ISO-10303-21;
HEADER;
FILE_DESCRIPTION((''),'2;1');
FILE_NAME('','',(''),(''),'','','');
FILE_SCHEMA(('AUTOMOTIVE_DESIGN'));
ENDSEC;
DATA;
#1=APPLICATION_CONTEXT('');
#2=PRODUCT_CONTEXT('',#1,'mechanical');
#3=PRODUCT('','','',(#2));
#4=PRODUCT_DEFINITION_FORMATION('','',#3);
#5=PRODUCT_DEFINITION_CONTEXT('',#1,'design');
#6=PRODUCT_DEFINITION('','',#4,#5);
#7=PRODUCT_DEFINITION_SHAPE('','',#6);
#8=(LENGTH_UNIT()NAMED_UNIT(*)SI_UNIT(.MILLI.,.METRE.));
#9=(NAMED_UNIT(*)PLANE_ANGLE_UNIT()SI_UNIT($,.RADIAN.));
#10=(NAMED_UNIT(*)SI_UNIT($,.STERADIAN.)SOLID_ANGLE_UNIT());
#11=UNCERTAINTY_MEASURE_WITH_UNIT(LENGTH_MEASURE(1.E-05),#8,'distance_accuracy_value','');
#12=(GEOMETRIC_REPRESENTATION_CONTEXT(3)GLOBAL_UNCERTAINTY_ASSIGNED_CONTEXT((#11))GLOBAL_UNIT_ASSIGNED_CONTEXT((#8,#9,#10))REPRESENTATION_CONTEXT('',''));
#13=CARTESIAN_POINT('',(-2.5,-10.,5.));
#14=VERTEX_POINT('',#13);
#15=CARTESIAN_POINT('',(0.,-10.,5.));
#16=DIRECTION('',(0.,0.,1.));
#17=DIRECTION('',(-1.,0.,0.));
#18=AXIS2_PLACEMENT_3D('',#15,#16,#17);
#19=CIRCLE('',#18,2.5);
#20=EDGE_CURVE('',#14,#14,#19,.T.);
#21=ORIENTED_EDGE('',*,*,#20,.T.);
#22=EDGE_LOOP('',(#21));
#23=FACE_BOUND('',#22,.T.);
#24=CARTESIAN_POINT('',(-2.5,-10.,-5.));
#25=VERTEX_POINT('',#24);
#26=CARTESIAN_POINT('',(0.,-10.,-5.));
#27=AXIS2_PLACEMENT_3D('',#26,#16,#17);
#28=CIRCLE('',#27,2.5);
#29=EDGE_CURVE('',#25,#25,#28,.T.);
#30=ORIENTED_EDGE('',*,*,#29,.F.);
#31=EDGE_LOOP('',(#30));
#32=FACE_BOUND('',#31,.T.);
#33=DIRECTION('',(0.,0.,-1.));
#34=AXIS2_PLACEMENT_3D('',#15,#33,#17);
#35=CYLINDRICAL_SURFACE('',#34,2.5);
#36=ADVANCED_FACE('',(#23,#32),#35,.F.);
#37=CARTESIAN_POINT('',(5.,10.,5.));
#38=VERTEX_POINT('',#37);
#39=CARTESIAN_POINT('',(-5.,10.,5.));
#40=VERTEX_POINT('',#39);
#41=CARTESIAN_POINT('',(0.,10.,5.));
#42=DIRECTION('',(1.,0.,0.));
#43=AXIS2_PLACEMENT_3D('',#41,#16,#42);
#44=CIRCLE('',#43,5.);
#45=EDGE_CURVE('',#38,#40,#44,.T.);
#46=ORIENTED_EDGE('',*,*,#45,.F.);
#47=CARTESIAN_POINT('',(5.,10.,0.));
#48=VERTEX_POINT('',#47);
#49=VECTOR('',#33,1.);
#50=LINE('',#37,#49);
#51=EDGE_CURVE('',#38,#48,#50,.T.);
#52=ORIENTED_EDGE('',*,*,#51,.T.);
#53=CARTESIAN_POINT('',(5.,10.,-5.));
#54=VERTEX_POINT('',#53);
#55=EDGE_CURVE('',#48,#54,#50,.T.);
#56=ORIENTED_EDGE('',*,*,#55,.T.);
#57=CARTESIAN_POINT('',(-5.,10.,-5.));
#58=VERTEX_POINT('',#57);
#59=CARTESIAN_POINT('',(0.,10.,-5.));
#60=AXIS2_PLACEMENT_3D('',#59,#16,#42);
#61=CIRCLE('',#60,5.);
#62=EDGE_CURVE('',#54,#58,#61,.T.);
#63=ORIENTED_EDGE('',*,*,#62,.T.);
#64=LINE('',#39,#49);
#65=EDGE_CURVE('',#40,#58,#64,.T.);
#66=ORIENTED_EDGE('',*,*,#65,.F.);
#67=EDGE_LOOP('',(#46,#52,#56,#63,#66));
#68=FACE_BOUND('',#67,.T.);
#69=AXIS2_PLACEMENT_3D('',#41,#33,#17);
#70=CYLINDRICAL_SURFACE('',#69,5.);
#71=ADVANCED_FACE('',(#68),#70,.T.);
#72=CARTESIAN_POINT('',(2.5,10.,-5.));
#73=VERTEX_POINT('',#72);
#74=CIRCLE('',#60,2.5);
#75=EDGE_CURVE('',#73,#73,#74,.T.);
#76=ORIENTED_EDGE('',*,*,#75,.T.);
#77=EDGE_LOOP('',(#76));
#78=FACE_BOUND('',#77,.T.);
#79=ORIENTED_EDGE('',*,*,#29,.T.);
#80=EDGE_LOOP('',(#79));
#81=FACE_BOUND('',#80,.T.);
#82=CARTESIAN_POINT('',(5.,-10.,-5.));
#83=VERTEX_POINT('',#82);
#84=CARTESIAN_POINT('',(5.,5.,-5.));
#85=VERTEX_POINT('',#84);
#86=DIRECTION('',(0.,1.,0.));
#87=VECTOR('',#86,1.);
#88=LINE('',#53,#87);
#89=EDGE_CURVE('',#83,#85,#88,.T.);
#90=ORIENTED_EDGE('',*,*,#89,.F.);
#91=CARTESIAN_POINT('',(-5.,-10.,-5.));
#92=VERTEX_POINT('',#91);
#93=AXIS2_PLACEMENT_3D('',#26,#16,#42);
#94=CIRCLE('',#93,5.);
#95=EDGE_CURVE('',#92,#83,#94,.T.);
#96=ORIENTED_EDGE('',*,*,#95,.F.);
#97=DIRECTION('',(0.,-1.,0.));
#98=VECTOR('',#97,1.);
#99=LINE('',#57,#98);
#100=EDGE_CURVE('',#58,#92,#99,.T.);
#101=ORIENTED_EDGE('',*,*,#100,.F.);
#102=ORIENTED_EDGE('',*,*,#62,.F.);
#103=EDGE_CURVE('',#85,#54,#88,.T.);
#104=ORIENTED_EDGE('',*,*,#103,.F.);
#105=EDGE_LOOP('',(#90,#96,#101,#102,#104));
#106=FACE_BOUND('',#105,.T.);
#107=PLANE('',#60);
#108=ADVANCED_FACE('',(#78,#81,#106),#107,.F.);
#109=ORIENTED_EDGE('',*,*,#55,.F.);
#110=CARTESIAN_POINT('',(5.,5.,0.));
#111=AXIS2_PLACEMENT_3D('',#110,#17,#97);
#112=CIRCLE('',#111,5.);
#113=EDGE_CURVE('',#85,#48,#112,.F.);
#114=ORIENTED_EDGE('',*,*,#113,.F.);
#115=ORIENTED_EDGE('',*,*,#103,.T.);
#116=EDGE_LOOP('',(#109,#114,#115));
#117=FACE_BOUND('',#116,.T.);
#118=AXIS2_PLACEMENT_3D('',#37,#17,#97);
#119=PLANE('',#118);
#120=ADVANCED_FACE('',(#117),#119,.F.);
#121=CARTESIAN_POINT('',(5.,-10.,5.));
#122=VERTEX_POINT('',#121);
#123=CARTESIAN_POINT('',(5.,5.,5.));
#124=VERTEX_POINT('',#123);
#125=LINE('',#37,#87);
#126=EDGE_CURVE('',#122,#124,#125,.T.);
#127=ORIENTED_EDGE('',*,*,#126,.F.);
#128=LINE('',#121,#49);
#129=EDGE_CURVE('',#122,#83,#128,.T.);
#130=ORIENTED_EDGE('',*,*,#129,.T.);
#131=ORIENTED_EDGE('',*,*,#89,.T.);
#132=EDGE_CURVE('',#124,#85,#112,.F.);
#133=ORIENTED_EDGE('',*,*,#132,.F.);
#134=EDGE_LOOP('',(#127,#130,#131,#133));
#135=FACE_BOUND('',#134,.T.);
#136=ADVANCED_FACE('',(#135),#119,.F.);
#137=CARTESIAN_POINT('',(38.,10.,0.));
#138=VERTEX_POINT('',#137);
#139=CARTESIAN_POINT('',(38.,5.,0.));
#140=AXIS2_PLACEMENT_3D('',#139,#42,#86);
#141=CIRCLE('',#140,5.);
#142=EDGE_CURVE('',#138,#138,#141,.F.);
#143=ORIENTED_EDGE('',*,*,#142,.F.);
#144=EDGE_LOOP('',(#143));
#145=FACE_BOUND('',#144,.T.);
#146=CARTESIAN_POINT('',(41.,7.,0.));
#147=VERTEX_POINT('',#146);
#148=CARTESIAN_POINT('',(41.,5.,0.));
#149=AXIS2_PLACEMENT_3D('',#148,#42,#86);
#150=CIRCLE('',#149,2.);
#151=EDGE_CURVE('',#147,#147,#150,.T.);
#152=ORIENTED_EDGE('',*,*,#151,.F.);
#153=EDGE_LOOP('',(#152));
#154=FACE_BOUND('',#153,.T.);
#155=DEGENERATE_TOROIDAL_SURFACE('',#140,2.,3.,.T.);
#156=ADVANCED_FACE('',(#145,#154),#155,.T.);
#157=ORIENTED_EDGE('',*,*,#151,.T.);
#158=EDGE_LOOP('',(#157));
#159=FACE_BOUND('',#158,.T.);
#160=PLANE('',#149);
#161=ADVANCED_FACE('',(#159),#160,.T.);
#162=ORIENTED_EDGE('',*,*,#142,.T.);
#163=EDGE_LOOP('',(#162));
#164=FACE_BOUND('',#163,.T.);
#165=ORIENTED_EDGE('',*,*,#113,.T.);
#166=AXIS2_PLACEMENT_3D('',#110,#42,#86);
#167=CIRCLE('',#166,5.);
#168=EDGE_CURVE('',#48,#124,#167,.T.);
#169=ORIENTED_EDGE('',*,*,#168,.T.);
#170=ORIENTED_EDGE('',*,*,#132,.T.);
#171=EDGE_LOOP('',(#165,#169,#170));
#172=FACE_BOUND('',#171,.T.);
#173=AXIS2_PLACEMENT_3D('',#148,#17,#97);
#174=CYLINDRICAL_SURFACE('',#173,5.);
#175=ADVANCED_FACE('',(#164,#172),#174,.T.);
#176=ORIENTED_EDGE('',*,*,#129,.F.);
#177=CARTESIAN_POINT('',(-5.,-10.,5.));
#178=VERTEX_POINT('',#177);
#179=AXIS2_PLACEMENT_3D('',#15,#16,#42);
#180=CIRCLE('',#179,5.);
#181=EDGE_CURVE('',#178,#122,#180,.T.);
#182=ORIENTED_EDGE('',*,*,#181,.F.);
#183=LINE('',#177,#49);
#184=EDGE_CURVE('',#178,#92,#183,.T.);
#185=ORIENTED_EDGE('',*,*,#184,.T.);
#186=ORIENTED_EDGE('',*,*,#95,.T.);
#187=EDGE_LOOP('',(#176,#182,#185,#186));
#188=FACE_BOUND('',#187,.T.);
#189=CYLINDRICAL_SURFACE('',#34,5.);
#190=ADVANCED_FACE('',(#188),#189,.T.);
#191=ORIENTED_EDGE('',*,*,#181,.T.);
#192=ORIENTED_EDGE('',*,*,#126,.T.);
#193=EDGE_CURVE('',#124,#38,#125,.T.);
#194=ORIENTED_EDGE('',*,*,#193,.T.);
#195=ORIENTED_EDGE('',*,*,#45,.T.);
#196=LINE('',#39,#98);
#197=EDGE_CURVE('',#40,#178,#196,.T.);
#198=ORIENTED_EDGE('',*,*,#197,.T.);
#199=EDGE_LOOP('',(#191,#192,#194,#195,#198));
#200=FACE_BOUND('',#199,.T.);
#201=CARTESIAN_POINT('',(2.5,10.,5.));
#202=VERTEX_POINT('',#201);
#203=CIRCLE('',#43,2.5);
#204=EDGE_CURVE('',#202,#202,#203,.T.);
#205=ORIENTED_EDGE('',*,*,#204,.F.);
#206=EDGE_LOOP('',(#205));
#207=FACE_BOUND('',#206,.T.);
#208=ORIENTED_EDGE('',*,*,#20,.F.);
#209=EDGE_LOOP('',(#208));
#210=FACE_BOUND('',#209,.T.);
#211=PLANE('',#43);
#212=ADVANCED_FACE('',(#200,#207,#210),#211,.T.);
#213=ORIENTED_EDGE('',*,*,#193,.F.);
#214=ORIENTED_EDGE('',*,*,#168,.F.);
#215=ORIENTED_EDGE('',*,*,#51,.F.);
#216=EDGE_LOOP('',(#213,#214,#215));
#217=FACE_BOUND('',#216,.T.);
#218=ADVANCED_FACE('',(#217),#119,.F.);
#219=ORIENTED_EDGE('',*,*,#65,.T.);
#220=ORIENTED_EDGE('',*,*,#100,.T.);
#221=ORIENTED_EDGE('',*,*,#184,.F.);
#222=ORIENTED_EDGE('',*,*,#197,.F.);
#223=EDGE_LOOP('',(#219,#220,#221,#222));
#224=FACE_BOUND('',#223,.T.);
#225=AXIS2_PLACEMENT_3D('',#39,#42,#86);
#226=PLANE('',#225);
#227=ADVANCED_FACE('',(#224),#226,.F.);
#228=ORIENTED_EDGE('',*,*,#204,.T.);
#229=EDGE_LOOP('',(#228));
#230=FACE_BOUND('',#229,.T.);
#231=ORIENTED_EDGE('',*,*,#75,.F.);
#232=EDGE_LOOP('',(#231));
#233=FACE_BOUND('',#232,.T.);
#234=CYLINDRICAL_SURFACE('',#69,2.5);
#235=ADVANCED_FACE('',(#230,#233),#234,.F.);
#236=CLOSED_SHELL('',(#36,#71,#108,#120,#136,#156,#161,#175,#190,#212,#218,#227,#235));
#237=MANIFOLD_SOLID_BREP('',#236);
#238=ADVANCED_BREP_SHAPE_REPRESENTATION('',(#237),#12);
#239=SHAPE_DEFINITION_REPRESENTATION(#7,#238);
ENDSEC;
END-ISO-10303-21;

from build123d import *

# Parameters (mm, degrees)
ESQUISSE1_R        = 2.5
BOSS_EXTRU_1_DEPTH = 5
ESQUISSE2_R        = 5
BOSS_EXTRU_2_DEPTH = 36
CONG_1_R           = 3


with BuildPart() as part:
    # Esquisse1 → Boss.-Extru.1 (new, symmetric)
    with BuildSketch(Plane.XY):
        with BuildLine():
            Line((5, 10), (5, -10))
            ThreePointArc((5, -10), (0, -15), (-5, -10))
            Line((-5, -10), (-5, 10))
            ThreePointArc((-5, 10), (0, 15), (5, 10))
        make_face()
        with Locations((0, 10)):
            Circle(ESQUISSE1_R, mode=Mode.SUBTRACT)
        with Locations((0, -10)):
            Circle(ESQUISSE1_R, mode=Mode.SUBTRACT)
    extrude(amount=BOSS_EXTRU_1_DEPTH, both=True)

    # Esquisse2 → Boss.-Extru.2 (add)
    with BuildSketch(Plane(origin=(5, 0, 0), x_dir=(0, 0, -1), z_dir=(1, 0, 0))):
        with Locations((0, 5)):
            Circle(ESQUISSE2_R)
    extrude(amount=BOSS_EXTRU_2_DEPTH)

    # Congé1
    cong_1_edges = [part.edges().sort_by_distance(p)[0] for p in [
        (41, 5, 5),
    ]]
    fillet(cong_1_edges, radius=CONG_1_R)


solid = part.part
